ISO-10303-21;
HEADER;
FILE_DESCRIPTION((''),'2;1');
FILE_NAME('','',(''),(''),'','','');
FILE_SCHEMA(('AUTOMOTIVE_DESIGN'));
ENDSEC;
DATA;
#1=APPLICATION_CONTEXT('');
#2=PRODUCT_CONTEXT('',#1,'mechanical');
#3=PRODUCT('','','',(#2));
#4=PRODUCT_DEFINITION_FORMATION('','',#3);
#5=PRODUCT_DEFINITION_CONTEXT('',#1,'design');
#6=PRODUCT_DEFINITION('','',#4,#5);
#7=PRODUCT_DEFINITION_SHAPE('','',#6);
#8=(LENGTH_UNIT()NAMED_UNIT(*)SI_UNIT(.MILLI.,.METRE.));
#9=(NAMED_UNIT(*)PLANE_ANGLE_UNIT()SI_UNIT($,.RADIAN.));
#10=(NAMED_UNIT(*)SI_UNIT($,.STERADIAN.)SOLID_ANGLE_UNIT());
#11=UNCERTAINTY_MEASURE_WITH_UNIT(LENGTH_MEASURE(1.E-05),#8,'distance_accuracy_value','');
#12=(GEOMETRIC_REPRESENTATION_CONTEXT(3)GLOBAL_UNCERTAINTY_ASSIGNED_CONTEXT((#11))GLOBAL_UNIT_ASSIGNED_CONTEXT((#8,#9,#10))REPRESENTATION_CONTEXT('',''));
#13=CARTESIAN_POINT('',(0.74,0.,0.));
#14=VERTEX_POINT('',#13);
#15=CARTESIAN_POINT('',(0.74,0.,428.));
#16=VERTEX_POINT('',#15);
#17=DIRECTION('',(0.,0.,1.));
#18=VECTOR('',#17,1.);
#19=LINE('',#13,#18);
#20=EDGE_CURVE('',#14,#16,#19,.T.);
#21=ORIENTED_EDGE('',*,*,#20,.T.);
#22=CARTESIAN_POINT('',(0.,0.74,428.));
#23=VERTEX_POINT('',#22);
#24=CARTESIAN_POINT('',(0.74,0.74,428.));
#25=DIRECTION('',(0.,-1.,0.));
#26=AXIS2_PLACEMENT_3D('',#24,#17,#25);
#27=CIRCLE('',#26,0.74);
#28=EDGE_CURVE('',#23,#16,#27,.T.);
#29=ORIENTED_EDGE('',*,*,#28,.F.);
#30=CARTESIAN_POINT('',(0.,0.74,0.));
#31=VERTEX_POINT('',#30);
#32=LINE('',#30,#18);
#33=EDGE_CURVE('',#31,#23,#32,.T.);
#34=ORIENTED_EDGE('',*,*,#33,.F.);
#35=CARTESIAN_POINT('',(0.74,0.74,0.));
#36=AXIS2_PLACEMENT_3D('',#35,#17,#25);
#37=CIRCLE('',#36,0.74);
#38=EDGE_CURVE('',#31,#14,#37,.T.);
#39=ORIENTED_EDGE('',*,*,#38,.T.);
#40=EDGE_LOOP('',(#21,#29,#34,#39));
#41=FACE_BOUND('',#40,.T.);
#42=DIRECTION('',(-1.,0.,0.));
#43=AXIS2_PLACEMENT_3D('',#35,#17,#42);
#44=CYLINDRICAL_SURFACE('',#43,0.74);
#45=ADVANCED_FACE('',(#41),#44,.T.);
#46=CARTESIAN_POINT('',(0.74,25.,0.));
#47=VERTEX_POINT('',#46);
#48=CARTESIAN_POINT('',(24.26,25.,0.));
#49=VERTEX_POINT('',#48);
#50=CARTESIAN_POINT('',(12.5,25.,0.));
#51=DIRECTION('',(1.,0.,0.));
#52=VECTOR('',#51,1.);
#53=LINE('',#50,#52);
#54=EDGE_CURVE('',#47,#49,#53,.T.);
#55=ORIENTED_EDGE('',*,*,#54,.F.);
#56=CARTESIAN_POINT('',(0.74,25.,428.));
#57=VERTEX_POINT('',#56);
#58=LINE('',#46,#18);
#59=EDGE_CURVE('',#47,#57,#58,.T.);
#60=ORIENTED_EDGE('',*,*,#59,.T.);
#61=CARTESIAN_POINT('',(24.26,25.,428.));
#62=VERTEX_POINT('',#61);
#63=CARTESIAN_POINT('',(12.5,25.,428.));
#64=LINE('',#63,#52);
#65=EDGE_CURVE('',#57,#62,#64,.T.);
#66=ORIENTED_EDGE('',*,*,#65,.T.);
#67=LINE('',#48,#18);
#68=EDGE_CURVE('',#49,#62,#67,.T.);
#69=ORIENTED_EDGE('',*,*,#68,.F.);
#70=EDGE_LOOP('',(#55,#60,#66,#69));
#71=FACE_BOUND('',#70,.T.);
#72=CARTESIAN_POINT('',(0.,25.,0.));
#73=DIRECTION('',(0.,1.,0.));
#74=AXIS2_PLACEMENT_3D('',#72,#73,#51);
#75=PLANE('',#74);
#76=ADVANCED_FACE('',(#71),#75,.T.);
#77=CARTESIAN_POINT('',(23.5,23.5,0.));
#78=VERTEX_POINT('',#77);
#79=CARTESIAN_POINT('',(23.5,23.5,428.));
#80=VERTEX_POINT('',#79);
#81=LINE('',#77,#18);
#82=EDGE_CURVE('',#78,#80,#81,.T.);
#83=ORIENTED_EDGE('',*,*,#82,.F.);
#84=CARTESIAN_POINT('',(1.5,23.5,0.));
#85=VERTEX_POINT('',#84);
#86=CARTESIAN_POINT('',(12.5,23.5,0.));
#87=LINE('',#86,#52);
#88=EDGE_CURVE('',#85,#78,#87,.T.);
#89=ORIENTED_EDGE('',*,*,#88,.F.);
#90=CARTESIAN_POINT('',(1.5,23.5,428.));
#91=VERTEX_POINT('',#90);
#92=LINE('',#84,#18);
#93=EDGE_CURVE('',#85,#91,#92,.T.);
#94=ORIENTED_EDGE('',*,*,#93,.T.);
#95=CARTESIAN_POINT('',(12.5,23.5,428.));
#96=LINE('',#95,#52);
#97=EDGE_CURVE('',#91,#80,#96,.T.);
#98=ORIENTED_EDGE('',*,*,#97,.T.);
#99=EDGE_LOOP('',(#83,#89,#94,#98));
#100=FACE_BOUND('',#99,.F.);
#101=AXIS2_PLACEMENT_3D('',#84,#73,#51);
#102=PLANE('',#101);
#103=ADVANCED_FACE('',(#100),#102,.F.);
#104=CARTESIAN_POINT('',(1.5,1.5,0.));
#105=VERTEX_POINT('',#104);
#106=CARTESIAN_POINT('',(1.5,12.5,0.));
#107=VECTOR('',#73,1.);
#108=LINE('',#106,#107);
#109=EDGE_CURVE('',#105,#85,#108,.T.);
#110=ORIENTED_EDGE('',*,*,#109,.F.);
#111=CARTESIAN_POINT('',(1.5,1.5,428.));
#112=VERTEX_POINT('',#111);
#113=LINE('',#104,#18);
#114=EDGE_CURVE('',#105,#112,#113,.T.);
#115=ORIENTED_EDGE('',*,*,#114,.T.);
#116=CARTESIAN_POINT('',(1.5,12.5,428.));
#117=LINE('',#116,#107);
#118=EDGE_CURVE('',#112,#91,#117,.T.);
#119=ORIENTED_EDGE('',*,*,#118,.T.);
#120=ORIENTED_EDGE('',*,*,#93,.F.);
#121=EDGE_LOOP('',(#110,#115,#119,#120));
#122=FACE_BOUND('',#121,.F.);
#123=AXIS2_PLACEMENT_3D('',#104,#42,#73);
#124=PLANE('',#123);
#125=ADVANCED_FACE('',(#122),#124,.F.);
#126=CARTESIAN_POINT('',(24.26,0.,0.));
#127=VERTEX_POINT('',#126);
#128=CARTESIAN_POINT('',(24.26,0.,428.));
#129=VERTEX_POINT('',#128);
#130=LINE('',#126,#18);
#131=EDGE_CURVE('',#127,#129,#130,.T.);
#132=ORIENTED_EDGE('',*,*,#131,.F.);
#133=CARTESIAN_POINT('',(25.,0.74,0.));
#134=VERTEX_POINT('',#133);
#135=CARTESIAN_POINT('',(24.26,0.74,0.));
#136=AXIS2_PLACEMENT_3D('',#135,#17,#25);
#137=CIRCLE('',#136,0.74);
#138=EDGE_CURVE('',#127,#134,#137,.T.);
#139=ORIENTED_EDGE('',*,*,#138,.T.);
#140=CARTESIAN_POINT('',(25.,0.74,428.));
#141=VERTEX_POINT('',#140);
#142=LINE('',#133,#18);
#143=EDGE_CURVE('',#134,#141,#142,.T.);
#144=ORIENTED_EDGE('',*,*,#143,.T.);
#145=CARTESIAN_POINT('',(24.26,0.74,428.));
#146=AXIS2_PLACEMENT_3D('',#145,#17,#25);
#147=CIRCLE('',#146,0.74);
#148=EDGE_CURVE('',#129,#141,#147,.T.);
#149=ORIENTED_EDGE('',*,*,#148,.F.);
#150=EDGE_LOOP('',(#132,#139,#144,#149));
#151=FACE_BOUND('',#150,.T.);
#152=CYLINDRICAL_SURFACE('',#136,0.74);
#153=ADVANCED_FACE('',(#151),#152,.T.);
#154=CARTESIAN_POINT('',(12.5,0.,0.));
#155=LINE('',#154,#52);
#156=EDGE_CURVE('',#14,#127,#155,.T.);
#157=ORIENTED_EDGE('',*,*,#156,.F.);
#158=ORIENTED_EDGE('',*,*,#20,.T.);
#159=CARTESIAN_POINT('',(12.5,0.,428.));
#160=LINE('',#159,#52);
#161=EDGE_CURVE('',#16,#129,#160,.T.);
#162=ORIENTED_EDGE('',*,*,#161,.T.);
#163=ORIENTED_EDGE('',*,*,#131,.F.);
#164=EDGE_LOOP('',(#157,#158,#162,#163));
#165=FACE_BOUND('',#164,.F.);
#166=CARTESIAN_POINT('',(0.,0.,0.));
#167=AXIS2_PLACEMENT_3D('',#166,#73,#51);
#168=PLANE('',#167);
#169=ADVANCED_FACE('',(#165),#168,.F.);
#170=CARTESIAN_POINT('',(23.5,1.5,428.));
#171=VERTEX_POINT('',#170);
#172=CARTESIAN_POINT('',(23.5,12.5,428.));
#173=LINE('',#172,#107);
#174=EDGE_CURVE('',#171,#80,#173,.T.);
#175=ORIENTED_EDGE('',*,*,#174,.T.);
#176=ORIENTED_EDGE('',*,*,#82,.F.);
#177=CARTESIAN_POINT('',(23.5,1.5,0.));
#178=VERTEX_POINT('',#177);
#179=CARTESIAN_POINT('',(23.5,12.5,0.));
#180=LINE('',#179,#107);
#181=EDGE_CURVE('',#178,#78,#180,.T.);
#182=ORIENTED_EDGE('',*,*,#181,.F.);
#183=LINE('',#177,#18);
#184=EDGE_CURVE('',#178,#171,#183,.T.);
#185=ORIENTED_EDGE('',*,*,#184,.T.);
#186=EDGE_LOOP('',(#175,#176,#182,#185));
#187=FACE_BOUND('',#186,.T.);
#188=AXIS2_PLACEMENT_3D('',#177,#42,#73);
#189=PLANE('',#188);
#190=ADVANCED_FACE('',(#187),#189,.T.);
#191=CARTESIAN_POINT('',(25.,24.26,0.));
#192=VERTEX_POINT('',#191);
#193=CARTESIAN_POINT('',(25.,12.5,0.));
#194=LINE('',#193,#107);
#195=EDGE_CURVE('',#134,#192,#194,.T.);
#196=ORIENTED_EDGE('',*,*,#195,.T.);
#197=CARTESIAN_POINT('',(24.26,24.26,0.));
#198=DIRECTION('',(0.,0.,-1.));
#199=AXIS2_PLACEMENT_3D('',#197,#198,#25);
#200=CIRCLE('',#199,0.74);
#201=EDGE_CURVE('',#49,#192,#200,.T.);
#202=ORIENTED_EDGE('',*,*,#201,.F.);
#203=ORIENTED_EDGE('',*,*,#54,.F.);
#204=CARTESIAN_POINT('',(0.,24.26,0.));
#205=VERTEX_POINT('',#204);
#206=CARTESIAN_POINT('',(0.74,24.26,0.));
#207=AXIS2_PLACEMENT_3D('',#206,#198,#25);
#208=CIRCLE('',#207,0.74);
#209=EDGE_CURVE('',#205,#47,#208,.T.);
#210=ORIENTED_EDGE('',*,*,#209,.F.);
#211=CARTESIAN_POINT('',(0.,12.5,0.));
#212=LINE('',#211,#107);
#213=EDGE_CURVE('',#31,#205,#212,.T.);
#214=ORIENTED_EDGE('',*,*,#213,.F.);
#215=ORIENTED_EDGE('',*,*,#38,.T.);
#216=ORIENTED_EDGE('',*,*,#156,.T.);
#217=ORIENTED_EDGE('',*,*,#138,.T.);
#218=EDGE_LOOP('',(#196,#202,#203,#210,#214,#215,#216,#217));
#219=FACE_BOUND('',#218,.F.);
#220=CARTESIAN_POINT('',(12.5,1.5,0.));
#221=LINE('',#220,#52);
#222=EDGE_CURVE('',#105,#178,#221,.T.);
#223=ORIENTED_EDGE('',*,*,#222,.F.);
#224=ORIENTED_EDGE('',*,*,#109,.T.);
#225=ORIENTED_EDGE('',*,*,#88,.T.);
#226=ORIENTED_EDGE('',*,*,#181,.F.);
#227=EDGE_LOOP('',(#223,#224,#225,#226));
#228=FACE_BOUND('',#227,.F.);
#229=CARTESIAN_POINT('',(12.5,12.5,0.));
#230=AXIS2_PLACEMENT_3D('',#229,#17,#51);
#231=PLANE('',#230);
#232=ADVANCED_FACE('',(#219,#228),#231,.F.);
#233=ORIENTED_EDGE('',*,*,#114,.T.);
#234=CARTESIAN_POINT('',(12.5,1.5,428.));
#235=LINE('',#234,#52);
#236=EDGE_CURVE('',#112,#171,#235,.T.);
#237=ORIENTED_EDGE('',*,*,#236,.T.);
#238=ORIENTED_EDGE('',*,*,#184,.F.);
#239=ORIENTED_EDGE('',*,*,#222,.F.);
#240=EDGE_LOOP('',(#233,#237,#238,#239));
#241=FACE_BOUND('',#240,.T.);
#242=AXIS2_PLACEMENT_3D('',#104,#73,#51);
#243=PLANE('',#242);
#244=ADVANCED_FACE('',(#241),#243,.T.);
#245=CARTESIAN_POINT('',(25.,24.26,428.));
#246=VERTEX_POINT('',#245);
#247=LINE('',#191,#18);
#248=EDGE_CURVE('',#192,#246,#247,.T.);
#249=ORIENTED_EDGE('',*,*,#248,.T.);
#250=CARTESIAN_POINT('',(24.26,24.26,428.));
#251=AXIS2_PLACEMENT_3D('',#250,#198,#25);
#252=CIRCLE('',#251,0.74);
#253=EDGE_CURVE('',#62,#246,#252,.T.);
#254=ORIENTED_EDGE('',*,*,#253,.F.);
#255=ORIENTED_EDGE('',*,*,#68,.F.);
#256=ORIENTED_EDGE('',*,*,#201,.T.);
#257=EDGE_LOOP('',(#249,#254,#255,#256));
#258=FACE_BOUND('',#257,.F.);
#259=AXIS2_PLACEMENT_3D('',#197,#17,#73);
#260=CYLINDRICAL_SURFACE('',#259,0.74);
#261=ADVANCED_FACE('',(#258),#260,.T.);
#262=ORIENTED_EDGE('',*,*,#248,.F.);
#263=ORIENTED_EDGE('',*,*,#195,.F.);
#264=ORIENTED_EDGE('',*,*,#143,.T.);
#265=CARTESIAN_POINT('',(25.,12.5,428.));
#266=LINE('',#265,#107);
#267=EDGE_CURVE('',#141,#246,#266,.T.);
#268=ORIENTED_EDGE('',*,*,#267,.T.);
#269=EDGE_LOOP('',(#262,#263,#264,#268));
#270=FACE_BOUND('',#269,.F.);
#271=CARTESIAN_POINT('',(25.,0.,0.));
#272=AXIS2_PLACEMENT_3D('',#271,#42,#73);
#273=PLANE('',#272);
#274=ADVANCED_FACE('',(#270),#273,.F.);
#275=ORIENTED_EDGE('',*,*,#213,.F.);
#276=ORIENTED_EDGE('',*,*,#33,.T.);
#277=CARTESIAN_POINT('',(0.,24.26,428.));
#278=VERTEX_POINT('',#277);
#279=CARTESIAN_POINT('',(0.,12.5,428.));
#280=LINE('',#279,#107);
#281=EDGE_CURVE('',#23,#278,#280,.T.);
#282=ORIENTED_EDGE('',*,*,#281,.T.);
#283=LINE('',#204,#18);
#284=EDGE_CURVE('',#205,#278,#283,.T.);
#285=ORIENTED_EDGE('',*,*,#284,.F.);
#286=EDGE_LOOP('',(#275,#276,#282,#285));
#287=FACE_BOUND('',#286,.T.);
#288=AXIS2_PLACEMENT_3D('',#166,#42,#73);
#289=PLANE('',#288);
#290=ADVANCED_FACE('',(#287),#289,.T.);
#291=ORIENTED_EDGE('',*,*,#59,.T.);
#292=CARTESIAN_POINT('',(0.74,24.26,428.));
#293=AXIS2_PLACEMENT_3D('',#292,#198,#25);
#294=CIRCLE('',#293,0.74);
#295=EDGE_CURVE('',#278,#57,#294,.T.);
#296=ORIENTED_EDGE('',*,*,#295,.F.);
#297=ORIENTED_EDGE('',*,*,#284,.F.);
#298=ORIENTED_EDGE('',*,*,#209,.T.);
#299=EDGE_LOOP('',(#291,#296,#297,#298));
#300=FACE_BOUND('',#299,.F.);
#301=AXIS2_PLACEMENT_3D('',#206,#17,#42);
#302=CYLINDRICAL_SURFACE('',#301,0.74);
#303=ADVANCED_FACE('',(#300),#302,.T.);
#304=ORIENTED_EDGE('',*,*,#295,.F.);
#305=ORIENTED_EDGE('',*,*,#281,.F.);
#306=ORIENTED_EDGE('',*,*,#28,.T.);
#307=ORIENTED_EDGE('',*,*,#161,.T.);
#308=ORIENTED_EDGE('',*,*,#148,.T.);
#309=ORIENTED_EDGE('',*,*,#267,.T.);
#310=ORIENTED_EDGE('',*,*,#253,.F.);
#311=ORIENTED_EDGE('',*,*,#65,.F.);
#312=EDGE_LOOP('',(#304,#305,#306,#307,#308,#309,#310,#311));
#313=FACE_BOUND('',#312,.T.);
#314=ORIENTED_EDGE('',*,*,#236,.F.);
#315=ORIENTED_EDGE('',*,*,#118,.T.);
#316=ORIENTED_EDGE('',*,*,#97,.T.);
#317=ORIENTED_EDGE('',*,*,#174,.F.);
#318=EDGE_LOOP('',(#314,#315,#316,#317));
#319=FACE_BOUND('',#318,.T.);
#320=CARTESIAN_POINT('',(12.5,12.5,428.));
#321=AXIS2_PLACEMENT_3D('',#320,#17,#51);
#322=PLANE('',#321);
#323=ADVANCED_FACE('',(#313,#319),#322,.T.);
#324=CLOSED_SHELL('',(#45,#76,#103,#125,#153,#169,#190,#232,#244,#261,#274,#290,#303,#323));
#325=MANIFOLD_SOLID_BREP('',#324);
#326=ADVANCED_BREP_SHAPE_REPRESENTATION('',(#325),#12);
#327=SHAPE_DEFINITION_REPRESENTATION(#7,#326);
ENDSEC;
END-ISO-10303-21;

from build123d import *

# Parameters (mm, degrees)
SKETCH_W   = 25
SKETCH_H   = 25
SKETCH_W_2 = 22
SKETCH_H_2 = 22
PAD_DEPTH  = 428
FILLET_R   = 0.74


with BuildPart() as part:
    # Sketch → Pad (new body)
    with BuildSketch(Plane.XY):
        with Locations((12.5, 12.5)):
            Rectangle(SKETCH_W, SKETCH_H)
        with Locations((12.5, 12.5)):
            Rectangle(SKETCH_W_2, SKETCH_H_2, mode=Mode.SUBTRACT)
    extrude(amount=PAD_DEPTH)

    # Fillet
    fillet_edges = [part.edges().sort_by_distance(p)[0] for p in [
        (25, 0, 214),
        (0, 0, 214),
        (25, 25, 214),
        (0, 25, 214),
    ]]
    fillet(fillet_edges, radius=FILLET_R)


solid = part.part
